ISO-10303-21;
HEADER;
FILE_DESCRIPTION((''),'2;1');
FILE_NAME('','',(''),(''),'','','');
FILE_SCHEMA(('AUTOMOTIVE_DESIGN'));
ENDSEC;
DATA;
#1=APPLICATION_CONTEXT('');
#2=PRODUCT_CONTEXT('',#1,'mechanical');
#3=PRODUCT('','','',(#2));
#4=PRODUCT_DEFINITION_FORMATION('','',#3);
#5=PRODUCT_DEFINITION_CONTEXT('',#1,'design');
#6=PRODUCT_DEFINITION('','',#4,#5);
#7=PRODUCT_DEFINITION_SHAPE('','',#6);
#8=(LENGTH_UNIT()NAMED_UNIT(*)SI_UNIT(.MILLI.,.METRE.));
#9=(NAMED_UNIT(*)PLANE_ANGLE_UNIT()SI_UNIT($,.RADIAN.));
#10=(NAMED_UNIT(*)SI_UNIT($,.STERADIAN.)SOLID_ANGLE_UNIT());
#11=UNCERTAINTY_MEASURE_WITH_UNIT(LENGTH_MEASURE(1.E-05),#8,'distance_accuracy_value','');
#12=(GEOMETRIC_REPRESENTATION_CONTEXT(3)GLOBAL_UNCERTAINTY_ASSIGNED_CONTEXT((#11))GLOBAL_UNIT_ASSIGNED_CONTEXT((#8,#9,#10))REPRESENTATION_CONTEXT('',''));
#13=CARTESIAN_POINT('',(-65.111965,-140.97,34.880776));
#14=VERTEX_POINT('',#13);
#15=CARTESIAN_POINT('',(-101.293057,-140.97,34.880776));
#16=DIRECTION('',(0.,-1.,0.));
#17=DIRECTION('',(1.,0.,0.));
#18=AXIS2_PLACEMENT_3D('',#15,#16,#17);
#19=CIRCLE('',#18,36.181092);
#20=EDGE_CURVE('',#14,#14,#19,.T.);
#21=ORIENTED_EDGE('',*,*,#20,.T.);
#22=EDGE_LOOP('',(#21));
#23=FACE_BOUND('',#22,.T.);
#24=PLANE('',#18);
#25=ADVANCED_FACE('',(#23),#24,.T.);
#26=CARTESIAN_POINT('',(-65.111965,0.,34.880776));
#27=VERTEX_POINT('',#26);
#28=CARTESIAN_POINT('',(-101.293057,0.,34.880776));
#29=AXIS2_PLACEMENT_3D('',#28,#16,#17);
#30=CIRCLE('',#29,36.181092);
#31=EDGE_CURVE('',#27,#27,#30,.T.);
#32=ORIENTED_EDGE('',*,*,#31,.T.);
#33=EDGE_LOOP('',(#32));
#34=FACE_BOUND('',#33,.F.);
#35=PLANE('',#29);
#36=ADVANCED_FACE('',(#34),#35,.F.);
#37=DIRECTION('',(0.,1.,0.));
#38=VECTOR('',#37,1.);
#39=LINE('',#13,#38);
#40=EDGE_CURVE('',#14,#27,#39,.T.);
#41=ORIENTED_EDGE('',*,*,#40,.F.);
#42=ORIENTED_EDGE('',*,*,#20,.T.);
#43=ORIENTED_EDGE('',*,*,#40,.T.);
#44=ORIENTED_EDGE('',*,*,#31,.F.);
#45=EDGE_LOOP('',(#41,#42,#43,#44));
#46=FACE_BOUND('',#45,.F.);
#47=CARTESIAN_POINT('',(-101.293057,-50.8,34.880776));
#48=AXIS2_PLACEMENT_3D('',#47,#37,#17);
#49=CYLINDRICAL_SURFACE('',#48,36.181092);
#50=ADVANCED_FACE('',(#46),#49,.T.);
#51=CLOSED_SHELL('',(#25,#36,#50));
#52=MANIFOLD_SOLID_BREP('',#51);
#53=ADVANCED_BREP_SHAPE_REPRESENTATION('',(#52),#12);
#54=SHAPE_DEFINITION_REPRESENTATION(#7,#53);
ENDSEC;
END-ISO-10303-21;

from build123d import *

# Parameters (mm, degrees)
F0_R     = 36.1810919244
F1_DEPTH = 25.4
F2_DEPTH = 25.4
F3_DEPTH = 90.17


with BuildPart() as f1:
    # F0 (on Front) → F1 (new body)
    with BuildSketch(Plane.XZ):
        with Locations((-101.2930572033, 34.8807759583)):
            Circle(F0_R)
    extrude(amount=F1_DEPTH)

    # F2 (add): faces of the model
    f2_faces = [f1.faces().sort_by_distance(p)[0] for p in [
        (-101.2930572033, -25.4, 34.8807759583),
        (-101.2930572033, 0, 34.8807759583),
    ]]
    extrude(f2_faces, amount=F2_DEPTH, dir=(0, -1, 0))

    # F3 (add): faces of the model
    f3_faces = [f1.faces().sort_by_distance(p)[0] for p in [
        (-101.2930572033, -50.8, 34.8807759583),
        (-101.2930572033, 0, 34.8807759583),
    ]]
    extrude(f3_faces, amount=F3_DEPTH, dir=(0, -1, 0))


solid = f1.part
